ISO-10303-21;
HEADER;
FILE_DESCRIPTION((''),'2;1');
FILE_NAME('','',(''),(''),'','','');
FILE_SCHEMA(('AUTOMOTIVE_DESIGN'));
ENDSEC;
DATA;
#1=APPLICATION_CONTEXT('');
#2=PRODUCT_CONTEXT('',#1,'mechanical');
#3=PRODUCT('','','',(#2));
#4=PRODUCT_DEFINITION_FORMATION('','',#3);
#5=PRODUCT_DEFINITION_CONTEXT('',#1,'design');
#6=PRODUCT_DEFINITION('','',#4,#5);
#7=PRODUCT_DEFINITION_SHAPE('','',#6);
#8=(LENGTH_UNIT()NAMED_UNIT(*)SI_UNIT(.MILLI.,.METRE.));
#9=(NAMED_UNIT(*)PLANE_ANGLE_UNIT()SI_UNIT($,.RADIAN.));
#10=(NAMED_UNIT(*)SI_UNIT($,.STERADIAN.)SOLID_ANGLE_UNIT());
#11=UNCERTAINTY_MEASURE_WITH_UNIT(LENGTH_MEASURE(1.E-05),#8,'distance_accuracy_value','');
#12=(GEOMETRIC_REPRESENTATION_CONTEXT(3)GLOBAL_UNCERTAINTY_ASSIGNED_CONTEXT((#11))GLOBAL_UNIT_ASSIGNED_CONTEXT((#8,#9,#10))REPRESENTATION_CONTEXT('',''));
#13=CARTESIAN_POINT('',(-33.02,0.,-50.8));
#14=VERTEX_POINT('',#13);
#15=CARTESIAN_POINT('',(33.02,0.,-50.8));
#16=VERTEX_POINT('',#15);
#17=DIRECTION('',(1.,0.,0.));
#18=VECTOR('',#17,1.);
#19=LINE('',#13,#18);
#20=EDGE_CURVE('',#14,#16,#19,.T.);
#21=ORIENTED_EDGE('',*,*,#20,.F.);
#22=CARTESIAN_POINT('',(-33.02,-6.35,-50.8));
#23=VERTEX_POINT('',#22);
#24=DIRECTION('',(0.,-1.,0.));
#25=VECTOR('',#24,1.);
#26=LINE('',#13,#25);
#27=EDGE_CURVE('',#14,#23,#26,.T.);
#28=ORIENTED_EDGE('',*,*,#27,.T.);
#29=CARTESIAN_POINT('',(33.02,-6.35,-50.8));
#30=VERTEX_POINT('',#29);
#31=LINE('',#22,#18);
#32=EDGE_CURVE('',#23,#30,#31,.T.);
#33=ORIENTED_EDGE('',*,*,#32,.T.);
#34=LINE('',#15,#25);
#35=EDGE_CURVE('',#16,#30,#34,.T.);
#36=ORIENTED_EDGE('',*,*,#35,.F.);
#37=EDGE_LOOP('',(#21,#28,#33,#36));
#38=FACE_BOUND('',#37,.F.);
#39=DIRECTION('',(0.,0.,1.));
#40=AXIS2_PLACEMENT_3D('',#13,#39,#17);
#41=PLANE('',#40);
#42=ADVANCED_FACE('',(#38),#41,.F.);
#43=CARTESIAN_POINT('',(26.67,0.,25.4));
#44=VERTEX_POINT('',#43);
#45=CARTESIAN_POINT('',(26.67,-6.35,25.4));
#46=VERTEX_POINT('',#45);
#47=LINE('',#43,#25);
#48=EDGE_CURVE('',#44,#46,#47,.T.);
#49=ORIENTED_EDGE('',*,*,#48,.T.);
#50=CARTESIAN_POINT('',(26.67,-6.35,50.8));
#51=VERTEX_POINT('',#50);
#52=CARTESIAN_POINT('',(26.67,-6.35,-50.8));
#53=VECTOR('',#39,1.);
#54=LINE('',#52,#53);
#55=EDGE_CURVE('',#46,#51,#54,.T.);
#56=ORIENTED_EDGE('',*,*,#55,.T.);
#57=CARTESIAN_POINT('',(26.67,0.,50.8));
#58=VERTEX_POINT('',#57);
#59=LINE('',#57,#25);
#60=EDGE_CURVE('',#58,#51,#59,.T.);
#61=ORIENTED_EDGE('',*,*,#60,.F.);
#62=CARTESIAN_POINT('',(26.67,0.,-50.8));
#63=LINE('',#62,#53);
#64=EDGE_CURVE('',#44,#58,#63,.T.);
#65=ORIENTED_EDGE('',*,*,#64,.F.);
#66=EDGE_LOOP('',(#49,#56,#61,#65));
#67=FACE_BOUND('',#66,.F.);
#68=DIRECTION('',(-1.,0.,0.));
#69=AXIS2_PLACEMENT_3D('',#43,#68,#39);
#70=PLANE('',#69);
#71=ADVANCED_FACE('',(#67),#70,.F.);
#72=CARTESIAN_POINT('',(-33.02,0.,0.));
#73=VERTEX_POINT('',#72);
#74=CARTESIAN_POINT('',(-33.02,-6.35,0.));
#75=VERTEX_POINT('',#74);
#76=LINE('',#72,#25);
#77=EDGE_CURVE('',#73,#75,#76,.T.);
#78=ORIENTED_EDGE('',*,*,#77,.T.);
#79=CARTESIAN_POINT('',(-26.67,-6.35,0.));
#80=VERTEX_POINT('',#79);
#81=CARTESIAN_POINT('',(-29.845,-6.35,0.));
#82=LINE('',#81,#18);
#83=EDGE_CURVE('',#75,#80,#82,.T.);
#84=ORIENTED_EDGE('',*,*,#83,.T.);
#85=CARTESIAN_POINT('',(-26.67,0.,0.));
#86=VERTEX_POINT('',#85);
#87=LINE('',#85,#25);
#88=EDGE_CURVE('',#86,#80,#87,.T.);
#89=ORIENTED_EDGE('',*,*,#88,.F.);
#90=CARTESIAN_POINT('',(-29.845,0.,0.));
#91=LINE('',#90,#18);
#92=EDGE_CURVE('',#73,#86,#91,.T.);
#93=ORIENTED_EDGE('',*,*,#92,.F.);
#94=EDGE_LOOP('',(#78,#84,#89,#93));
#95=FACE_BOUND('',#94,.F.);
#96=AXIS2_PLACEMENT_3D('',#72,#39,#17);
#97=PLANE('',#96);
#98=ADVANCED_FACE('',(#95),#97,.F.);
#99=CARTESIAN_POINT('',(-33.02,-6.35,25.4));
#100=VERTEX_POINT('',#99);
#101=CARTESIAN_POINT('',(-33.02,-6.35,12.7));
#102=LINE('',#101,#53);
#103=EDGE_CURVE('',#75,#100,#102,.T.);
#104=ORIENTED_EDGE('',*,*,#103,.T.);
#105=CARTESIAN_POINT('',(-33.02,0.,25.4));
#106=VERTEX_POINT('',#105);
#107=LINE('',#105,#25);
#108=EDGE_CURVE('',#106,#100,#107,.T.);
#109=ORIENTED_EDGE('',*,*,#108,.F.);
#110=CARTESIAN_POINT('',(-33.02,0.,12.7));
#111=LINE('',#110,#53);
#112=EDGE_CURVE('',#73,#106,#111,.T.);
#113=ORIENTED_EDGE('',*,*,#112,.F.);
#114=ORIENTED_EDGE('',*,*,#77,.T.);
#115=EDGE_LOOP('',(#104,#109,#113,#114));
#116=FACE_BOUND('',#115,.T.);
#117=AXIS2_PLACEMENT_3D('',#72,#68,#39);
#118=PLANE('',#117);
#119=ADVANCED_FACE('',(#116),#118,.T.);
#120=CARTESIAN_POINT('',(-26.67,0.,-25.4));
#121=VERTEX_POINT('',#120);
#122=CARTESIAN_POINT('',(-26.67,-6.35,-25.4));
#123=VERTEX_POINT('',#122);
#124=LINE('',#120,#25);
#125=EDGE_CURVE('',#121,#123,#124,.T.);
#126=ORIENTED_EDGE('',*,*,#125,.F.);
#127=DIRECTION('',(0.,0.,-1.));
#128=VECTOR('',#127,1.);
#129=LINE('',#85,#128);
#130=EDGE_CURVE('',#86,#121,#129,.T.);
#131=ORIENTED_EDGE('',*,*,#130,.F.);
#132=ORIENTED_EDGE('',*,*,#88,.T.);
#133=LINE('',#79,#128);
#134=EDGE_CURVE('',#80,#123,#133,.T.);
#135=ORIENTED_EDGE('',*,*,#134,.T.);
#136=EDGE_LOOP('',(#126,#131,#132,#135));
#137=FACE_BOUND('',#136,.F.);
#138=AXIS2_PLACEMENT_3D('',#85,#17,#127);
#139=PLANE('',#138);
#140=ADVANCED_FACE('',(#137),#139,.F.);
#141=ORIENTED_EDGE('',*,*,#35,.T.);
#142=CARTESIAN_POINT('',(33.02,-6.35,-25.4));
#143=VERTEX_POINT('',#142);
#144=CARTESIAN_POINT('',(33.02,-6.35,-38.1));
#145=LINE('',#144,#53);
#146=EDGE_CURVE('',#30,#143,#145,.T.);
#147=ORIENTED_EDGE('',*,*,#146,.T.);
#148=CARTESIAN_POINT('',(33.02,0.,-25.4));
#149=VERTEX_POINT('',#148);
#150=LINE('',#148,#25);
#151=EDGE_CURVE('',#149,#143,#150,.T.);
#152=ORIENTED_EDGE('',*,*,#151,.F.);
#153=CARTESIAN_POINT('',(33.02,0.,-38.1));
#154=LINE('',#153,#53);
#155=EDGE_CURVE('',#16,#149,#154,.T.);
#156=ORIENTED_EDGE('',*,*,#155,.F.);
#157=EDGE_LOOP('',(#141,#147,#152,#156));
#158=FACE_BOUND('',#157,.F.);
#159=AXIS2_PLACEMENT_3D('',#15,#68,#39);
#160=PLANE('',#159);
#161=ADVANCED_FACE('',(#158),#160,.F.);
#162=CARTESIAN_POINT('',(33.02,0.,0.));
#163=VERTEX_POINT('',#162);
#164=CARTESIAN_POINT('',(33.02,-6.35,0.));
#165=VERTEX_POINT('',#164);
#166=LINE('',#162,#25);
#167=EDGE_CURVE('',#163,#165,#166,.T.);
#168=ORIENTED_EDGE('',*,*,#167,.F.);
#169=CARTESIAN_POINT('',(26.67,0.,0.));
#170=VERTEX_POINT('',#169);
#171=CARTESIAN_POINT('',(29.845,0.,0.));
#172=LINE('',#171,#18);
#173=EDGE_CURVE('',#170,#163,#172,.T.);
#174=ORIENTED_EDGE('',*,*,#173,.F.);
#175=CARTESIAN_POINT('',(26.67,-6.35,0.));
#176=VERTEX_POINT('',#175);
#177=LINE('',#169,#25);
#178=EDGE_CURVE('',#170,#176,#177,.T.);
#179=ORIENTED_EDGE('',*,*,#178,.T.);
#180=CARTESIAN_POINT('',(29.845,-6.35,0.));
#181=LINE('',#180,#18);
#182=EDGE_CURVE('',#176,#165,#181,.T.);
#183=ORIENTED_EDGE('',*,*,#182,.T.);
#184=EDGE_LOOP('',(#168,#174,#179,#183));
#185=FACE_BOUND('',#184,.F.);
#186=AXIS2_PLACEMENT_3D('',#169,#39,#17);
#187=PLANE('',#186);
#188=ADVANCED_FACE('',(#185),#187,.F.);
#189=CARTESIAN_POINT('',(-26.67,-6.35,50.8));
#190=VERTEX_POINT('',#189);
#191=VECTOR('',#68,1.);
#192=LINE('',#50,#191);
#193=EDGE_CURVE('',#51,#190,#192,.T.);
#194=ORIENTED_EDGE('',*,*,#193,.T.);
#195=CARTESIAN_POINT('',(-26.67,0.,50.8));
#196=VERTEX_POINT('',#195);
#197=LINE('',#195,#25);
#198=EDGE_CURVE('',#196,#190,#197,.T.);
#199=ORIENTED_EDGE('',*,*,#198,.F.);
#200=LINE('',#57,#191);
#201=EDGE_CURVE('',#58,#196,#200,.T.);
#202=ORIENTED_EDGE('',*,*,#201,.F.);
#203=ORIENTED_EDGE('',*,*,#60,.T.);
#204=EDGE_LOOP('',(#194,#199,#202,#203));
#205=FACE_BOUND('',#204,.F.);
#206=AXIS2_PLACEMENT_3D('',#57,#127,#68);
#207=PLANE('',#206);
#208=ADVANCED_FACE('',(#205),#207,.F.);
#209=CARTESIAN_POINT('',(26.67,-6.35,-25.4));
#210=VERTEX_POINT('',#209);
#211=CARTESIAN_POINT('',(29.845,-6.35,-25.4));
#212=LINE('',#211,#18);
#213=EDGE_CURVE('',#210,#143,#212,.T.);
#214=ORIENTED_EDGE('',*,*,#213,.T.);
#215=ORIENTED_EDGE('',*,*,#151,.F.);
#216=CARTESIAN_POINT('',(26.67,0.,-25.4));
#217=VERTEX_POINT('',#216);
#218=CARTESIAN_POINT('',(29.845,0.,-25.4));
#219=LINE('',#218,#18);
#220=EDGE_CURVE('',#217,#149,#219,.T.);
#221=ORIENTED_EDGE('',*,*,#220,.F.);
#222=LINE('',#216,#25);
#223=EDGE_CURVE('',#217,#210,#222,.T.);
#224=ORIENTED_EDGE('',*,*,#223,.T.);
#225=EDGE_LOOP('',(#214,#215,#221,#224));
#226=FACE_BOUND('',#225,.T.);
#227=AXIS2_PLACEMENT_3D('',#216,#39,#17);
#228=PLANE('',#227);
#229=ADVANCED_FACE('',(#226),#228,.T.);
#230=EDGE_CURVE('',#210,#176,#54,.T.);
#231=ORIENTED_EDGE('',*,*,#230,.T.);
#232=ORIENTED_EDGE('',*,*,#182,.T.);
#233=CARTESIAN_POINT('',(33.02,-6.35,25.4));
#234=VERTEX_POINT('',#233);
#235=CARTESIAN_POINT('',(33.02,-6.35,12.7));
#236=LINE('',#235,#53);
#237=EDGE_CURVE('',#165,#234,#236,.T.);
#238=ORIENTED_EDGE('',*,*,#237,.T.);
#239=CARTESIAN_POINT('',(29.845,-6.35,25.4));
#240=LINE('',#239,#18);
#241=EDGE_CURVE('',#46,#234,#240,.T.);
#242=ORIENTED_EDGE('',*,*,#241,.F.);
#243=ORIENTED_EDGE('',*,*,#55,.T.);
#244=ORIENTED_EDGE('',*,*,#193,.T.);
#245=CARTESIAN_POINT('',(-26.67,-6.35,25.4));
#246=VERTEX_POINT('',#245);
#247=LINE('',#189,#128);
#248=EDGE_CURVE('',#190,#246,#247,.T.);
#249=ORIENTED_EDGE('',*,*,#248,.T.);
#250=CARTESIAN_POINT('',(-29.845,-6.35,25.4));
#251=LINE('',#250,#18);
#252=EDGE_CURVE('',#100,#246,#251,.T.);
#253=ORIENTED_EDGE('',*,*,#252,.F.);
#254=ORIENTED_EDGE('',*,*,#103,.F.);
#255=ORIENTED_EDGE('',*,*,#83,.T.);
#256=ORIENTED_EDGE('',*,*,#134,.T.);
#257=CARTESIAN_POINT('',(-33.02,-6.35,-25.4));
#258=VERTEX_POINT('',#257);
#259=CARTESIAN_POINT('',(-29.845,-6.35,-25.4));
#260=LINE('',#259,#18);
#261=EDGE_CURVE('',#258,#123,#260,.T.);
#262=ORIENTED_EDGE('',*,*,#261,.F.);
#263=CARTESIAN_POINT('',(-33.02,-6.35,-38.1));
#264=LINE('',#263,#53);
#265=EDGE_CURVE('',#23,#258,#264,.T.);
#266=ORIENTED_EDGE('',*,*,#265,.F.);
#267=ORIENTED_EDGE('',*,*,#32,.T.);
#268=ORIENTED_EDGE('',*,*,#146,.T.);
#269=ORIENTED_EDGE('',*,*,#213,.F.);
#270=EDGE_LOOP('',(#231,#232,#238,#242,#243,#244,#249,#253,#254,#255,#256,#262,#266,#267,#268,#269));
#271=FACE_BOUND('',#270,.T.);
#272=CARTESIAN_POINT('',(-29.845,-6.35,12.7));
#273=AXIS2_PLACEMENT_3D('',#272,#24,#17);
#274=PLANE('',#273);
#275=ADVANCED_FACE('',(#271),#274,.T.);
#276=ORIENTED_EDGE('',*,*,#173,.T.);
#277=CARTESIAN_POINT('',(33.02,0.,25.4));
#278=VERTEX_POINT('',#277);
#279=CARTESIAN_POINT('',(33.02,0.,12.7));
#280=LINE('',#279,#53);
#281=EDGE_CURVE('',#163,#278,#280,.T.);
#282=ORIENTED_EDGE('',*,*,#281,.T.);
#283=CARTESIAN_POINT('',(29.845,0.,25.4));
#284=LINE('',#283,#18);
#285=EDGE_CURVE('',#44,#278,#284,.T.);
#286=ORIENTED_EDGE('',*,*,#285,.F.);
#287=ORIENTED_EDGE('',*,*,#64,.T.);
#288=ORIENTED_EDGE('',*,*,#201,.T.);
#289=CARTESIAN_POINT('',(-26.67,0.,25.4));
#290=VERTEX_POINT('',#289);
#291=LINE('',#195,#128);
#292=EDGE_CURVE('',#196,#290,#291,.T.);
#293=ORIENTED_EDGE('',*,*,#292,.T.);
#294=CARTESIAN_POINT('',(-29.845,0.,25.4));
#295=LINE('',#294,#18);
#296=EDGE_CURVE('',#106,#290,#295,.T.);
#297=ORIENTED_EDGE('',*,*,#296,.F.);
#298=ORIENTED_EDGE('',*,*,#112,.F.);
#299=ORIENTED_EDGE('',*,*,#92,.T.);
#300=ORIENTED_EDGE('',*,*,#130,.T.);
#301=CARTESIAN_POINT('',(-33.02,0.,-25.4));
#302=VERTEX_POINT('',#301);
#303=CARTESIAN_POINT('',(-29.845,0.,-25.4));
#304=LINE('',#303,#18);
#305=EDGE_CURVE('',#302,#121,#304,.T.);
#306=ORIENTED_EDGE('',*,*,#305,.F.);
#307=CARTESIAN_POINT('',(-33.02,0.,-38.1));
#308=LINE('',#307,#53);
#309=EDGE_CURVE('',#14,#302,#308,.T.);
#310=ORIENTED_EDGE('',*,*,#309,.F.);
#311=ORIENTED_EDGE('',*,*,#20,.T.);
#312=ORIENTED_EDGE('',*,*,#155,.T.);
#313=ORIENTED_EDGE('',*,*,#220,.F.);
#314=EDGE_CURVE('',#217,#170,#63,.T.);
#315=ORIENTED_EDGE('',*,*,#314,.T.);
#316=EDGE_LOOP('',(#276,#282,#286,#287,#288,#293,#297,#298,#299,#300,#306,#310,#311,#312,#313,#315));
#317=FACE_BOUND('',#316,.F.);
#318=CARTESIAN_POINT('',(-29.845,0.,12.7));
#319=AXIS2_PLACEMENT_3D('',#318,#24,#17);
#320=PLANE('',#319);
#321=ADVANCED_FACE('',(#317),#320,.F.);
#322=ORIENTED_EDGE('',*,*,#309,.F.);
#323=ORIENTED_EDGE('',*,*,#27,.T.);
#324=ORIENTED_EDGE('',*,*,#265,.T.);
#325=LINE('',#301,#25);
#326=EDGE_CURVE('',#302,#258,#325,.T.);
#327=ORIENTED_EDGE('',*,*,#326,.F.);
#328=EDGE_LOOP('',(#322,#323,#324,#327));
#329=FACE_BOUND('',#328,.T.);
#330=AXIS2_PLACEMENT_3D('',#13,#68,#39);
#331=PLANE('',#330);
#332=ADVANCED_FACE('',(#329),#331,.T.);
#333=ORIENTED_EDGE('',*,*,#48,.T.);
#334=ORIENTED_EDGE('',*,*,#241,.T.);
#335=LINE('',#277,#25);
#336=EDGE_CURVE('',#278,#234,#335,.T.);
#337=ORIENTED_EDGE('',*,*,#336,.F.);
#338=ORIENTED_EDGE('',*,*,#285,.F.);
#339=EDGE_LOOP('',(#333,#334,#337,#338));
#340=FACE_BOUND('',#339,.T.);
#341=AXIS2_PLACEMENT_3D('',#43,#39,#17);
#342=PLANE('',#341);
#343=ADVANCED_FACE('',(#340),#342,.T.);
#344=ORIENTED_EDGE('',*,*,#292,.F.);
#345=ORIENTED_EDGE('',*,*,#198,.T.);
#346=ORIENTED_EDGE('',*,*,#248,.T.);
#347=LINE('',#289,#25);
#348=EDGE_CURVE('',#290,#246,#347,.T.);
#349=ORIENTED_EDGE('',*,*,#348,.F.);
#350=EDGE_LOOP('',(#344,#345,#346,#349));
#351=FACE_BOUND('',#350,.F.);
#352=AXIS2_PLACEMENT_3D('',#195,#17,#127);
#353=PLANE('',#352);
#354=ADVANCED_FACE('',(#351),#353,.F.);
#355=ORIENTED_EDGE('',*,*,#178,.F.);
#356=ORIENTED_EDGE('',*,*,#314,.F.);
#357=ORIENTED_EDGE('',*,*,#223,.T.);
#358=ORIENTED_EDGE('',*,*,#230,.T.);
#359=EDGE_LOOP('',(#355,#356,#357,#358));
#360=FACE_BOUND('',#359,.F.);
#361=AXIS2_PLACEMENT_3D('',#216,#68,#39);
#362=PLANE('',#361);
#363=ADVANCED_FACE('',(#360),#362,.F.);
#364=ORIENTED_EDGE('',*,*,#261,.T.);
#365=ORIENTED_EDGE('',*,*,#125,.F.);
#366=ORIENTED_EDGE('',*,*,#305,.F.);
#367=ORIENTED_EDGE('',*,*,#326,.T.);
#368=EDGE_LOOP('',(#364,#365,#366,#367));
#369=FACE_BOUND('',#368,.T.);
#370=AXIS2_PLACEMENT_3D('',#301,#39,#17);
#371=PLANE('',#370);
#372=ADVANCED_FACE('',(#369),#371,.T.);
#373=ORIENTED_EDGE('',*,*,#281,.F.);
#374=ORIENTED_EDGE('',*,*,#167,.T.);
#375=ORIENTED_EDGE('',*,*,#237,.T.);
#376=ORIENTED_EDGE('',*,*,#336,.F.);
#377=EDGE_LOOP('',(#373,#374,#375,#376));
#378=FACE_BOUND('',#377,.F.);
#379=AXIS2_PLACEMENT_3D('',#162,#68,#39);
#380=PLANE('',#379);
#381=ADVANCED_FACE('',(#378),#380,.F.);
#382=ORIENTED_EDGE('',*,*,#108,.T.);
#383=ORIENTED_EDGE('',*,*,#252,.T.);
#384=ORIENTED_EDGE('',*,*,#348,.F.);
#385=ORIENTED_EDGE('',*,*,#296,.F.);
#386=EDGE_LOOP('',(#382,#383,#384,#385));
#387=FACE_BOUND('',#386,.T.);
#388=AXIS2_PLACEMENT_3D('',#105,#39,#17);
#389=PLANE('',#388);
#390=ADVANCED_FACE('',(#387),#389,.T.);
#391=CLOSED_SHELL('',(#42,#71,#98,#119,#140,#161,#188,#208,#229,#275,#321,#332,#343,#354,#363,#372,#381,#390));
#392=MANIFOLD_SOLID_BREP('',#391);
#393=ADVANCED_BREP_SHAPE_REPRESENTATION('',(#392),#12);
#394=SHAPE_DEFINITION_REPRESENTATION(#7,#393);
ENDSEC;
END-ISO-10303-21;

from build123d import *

# Parameters (mm, degrees)
F0_W     = 6.35
F0_H     = 25.4
F1_DEPTH = 6.35


with BuildPart() as f1:
    # F0 (on Front) → F1 (new body)
    with BuildSketch(Plane.XZ):
        with Locations((-29.845, 12.7)):
            Rectangle(F0_W, F0_H)
        Polygon((-26.67, -50.8), (26.67, -50.8), (26.67, -25.4), (26.67, 0), (26.67, 25.4), (26.67, 50.8), (-26.67, 50.8), (-26.67, 25.4), (-26.67, 0), (-26.67, -25.4), align=None)
        with Locations((29.845, 12.7)):
            Rectangle(F0_W, F0_H)
        with Locations((29.845, -38.1)):
            Rectangle(F0_W, F0_H)
        with Locations((-29.845, -38.1)):
            Rectangle(F0_W, F0_H)
    extrude(amount=F1_DEPTH)


solid = f1.part
